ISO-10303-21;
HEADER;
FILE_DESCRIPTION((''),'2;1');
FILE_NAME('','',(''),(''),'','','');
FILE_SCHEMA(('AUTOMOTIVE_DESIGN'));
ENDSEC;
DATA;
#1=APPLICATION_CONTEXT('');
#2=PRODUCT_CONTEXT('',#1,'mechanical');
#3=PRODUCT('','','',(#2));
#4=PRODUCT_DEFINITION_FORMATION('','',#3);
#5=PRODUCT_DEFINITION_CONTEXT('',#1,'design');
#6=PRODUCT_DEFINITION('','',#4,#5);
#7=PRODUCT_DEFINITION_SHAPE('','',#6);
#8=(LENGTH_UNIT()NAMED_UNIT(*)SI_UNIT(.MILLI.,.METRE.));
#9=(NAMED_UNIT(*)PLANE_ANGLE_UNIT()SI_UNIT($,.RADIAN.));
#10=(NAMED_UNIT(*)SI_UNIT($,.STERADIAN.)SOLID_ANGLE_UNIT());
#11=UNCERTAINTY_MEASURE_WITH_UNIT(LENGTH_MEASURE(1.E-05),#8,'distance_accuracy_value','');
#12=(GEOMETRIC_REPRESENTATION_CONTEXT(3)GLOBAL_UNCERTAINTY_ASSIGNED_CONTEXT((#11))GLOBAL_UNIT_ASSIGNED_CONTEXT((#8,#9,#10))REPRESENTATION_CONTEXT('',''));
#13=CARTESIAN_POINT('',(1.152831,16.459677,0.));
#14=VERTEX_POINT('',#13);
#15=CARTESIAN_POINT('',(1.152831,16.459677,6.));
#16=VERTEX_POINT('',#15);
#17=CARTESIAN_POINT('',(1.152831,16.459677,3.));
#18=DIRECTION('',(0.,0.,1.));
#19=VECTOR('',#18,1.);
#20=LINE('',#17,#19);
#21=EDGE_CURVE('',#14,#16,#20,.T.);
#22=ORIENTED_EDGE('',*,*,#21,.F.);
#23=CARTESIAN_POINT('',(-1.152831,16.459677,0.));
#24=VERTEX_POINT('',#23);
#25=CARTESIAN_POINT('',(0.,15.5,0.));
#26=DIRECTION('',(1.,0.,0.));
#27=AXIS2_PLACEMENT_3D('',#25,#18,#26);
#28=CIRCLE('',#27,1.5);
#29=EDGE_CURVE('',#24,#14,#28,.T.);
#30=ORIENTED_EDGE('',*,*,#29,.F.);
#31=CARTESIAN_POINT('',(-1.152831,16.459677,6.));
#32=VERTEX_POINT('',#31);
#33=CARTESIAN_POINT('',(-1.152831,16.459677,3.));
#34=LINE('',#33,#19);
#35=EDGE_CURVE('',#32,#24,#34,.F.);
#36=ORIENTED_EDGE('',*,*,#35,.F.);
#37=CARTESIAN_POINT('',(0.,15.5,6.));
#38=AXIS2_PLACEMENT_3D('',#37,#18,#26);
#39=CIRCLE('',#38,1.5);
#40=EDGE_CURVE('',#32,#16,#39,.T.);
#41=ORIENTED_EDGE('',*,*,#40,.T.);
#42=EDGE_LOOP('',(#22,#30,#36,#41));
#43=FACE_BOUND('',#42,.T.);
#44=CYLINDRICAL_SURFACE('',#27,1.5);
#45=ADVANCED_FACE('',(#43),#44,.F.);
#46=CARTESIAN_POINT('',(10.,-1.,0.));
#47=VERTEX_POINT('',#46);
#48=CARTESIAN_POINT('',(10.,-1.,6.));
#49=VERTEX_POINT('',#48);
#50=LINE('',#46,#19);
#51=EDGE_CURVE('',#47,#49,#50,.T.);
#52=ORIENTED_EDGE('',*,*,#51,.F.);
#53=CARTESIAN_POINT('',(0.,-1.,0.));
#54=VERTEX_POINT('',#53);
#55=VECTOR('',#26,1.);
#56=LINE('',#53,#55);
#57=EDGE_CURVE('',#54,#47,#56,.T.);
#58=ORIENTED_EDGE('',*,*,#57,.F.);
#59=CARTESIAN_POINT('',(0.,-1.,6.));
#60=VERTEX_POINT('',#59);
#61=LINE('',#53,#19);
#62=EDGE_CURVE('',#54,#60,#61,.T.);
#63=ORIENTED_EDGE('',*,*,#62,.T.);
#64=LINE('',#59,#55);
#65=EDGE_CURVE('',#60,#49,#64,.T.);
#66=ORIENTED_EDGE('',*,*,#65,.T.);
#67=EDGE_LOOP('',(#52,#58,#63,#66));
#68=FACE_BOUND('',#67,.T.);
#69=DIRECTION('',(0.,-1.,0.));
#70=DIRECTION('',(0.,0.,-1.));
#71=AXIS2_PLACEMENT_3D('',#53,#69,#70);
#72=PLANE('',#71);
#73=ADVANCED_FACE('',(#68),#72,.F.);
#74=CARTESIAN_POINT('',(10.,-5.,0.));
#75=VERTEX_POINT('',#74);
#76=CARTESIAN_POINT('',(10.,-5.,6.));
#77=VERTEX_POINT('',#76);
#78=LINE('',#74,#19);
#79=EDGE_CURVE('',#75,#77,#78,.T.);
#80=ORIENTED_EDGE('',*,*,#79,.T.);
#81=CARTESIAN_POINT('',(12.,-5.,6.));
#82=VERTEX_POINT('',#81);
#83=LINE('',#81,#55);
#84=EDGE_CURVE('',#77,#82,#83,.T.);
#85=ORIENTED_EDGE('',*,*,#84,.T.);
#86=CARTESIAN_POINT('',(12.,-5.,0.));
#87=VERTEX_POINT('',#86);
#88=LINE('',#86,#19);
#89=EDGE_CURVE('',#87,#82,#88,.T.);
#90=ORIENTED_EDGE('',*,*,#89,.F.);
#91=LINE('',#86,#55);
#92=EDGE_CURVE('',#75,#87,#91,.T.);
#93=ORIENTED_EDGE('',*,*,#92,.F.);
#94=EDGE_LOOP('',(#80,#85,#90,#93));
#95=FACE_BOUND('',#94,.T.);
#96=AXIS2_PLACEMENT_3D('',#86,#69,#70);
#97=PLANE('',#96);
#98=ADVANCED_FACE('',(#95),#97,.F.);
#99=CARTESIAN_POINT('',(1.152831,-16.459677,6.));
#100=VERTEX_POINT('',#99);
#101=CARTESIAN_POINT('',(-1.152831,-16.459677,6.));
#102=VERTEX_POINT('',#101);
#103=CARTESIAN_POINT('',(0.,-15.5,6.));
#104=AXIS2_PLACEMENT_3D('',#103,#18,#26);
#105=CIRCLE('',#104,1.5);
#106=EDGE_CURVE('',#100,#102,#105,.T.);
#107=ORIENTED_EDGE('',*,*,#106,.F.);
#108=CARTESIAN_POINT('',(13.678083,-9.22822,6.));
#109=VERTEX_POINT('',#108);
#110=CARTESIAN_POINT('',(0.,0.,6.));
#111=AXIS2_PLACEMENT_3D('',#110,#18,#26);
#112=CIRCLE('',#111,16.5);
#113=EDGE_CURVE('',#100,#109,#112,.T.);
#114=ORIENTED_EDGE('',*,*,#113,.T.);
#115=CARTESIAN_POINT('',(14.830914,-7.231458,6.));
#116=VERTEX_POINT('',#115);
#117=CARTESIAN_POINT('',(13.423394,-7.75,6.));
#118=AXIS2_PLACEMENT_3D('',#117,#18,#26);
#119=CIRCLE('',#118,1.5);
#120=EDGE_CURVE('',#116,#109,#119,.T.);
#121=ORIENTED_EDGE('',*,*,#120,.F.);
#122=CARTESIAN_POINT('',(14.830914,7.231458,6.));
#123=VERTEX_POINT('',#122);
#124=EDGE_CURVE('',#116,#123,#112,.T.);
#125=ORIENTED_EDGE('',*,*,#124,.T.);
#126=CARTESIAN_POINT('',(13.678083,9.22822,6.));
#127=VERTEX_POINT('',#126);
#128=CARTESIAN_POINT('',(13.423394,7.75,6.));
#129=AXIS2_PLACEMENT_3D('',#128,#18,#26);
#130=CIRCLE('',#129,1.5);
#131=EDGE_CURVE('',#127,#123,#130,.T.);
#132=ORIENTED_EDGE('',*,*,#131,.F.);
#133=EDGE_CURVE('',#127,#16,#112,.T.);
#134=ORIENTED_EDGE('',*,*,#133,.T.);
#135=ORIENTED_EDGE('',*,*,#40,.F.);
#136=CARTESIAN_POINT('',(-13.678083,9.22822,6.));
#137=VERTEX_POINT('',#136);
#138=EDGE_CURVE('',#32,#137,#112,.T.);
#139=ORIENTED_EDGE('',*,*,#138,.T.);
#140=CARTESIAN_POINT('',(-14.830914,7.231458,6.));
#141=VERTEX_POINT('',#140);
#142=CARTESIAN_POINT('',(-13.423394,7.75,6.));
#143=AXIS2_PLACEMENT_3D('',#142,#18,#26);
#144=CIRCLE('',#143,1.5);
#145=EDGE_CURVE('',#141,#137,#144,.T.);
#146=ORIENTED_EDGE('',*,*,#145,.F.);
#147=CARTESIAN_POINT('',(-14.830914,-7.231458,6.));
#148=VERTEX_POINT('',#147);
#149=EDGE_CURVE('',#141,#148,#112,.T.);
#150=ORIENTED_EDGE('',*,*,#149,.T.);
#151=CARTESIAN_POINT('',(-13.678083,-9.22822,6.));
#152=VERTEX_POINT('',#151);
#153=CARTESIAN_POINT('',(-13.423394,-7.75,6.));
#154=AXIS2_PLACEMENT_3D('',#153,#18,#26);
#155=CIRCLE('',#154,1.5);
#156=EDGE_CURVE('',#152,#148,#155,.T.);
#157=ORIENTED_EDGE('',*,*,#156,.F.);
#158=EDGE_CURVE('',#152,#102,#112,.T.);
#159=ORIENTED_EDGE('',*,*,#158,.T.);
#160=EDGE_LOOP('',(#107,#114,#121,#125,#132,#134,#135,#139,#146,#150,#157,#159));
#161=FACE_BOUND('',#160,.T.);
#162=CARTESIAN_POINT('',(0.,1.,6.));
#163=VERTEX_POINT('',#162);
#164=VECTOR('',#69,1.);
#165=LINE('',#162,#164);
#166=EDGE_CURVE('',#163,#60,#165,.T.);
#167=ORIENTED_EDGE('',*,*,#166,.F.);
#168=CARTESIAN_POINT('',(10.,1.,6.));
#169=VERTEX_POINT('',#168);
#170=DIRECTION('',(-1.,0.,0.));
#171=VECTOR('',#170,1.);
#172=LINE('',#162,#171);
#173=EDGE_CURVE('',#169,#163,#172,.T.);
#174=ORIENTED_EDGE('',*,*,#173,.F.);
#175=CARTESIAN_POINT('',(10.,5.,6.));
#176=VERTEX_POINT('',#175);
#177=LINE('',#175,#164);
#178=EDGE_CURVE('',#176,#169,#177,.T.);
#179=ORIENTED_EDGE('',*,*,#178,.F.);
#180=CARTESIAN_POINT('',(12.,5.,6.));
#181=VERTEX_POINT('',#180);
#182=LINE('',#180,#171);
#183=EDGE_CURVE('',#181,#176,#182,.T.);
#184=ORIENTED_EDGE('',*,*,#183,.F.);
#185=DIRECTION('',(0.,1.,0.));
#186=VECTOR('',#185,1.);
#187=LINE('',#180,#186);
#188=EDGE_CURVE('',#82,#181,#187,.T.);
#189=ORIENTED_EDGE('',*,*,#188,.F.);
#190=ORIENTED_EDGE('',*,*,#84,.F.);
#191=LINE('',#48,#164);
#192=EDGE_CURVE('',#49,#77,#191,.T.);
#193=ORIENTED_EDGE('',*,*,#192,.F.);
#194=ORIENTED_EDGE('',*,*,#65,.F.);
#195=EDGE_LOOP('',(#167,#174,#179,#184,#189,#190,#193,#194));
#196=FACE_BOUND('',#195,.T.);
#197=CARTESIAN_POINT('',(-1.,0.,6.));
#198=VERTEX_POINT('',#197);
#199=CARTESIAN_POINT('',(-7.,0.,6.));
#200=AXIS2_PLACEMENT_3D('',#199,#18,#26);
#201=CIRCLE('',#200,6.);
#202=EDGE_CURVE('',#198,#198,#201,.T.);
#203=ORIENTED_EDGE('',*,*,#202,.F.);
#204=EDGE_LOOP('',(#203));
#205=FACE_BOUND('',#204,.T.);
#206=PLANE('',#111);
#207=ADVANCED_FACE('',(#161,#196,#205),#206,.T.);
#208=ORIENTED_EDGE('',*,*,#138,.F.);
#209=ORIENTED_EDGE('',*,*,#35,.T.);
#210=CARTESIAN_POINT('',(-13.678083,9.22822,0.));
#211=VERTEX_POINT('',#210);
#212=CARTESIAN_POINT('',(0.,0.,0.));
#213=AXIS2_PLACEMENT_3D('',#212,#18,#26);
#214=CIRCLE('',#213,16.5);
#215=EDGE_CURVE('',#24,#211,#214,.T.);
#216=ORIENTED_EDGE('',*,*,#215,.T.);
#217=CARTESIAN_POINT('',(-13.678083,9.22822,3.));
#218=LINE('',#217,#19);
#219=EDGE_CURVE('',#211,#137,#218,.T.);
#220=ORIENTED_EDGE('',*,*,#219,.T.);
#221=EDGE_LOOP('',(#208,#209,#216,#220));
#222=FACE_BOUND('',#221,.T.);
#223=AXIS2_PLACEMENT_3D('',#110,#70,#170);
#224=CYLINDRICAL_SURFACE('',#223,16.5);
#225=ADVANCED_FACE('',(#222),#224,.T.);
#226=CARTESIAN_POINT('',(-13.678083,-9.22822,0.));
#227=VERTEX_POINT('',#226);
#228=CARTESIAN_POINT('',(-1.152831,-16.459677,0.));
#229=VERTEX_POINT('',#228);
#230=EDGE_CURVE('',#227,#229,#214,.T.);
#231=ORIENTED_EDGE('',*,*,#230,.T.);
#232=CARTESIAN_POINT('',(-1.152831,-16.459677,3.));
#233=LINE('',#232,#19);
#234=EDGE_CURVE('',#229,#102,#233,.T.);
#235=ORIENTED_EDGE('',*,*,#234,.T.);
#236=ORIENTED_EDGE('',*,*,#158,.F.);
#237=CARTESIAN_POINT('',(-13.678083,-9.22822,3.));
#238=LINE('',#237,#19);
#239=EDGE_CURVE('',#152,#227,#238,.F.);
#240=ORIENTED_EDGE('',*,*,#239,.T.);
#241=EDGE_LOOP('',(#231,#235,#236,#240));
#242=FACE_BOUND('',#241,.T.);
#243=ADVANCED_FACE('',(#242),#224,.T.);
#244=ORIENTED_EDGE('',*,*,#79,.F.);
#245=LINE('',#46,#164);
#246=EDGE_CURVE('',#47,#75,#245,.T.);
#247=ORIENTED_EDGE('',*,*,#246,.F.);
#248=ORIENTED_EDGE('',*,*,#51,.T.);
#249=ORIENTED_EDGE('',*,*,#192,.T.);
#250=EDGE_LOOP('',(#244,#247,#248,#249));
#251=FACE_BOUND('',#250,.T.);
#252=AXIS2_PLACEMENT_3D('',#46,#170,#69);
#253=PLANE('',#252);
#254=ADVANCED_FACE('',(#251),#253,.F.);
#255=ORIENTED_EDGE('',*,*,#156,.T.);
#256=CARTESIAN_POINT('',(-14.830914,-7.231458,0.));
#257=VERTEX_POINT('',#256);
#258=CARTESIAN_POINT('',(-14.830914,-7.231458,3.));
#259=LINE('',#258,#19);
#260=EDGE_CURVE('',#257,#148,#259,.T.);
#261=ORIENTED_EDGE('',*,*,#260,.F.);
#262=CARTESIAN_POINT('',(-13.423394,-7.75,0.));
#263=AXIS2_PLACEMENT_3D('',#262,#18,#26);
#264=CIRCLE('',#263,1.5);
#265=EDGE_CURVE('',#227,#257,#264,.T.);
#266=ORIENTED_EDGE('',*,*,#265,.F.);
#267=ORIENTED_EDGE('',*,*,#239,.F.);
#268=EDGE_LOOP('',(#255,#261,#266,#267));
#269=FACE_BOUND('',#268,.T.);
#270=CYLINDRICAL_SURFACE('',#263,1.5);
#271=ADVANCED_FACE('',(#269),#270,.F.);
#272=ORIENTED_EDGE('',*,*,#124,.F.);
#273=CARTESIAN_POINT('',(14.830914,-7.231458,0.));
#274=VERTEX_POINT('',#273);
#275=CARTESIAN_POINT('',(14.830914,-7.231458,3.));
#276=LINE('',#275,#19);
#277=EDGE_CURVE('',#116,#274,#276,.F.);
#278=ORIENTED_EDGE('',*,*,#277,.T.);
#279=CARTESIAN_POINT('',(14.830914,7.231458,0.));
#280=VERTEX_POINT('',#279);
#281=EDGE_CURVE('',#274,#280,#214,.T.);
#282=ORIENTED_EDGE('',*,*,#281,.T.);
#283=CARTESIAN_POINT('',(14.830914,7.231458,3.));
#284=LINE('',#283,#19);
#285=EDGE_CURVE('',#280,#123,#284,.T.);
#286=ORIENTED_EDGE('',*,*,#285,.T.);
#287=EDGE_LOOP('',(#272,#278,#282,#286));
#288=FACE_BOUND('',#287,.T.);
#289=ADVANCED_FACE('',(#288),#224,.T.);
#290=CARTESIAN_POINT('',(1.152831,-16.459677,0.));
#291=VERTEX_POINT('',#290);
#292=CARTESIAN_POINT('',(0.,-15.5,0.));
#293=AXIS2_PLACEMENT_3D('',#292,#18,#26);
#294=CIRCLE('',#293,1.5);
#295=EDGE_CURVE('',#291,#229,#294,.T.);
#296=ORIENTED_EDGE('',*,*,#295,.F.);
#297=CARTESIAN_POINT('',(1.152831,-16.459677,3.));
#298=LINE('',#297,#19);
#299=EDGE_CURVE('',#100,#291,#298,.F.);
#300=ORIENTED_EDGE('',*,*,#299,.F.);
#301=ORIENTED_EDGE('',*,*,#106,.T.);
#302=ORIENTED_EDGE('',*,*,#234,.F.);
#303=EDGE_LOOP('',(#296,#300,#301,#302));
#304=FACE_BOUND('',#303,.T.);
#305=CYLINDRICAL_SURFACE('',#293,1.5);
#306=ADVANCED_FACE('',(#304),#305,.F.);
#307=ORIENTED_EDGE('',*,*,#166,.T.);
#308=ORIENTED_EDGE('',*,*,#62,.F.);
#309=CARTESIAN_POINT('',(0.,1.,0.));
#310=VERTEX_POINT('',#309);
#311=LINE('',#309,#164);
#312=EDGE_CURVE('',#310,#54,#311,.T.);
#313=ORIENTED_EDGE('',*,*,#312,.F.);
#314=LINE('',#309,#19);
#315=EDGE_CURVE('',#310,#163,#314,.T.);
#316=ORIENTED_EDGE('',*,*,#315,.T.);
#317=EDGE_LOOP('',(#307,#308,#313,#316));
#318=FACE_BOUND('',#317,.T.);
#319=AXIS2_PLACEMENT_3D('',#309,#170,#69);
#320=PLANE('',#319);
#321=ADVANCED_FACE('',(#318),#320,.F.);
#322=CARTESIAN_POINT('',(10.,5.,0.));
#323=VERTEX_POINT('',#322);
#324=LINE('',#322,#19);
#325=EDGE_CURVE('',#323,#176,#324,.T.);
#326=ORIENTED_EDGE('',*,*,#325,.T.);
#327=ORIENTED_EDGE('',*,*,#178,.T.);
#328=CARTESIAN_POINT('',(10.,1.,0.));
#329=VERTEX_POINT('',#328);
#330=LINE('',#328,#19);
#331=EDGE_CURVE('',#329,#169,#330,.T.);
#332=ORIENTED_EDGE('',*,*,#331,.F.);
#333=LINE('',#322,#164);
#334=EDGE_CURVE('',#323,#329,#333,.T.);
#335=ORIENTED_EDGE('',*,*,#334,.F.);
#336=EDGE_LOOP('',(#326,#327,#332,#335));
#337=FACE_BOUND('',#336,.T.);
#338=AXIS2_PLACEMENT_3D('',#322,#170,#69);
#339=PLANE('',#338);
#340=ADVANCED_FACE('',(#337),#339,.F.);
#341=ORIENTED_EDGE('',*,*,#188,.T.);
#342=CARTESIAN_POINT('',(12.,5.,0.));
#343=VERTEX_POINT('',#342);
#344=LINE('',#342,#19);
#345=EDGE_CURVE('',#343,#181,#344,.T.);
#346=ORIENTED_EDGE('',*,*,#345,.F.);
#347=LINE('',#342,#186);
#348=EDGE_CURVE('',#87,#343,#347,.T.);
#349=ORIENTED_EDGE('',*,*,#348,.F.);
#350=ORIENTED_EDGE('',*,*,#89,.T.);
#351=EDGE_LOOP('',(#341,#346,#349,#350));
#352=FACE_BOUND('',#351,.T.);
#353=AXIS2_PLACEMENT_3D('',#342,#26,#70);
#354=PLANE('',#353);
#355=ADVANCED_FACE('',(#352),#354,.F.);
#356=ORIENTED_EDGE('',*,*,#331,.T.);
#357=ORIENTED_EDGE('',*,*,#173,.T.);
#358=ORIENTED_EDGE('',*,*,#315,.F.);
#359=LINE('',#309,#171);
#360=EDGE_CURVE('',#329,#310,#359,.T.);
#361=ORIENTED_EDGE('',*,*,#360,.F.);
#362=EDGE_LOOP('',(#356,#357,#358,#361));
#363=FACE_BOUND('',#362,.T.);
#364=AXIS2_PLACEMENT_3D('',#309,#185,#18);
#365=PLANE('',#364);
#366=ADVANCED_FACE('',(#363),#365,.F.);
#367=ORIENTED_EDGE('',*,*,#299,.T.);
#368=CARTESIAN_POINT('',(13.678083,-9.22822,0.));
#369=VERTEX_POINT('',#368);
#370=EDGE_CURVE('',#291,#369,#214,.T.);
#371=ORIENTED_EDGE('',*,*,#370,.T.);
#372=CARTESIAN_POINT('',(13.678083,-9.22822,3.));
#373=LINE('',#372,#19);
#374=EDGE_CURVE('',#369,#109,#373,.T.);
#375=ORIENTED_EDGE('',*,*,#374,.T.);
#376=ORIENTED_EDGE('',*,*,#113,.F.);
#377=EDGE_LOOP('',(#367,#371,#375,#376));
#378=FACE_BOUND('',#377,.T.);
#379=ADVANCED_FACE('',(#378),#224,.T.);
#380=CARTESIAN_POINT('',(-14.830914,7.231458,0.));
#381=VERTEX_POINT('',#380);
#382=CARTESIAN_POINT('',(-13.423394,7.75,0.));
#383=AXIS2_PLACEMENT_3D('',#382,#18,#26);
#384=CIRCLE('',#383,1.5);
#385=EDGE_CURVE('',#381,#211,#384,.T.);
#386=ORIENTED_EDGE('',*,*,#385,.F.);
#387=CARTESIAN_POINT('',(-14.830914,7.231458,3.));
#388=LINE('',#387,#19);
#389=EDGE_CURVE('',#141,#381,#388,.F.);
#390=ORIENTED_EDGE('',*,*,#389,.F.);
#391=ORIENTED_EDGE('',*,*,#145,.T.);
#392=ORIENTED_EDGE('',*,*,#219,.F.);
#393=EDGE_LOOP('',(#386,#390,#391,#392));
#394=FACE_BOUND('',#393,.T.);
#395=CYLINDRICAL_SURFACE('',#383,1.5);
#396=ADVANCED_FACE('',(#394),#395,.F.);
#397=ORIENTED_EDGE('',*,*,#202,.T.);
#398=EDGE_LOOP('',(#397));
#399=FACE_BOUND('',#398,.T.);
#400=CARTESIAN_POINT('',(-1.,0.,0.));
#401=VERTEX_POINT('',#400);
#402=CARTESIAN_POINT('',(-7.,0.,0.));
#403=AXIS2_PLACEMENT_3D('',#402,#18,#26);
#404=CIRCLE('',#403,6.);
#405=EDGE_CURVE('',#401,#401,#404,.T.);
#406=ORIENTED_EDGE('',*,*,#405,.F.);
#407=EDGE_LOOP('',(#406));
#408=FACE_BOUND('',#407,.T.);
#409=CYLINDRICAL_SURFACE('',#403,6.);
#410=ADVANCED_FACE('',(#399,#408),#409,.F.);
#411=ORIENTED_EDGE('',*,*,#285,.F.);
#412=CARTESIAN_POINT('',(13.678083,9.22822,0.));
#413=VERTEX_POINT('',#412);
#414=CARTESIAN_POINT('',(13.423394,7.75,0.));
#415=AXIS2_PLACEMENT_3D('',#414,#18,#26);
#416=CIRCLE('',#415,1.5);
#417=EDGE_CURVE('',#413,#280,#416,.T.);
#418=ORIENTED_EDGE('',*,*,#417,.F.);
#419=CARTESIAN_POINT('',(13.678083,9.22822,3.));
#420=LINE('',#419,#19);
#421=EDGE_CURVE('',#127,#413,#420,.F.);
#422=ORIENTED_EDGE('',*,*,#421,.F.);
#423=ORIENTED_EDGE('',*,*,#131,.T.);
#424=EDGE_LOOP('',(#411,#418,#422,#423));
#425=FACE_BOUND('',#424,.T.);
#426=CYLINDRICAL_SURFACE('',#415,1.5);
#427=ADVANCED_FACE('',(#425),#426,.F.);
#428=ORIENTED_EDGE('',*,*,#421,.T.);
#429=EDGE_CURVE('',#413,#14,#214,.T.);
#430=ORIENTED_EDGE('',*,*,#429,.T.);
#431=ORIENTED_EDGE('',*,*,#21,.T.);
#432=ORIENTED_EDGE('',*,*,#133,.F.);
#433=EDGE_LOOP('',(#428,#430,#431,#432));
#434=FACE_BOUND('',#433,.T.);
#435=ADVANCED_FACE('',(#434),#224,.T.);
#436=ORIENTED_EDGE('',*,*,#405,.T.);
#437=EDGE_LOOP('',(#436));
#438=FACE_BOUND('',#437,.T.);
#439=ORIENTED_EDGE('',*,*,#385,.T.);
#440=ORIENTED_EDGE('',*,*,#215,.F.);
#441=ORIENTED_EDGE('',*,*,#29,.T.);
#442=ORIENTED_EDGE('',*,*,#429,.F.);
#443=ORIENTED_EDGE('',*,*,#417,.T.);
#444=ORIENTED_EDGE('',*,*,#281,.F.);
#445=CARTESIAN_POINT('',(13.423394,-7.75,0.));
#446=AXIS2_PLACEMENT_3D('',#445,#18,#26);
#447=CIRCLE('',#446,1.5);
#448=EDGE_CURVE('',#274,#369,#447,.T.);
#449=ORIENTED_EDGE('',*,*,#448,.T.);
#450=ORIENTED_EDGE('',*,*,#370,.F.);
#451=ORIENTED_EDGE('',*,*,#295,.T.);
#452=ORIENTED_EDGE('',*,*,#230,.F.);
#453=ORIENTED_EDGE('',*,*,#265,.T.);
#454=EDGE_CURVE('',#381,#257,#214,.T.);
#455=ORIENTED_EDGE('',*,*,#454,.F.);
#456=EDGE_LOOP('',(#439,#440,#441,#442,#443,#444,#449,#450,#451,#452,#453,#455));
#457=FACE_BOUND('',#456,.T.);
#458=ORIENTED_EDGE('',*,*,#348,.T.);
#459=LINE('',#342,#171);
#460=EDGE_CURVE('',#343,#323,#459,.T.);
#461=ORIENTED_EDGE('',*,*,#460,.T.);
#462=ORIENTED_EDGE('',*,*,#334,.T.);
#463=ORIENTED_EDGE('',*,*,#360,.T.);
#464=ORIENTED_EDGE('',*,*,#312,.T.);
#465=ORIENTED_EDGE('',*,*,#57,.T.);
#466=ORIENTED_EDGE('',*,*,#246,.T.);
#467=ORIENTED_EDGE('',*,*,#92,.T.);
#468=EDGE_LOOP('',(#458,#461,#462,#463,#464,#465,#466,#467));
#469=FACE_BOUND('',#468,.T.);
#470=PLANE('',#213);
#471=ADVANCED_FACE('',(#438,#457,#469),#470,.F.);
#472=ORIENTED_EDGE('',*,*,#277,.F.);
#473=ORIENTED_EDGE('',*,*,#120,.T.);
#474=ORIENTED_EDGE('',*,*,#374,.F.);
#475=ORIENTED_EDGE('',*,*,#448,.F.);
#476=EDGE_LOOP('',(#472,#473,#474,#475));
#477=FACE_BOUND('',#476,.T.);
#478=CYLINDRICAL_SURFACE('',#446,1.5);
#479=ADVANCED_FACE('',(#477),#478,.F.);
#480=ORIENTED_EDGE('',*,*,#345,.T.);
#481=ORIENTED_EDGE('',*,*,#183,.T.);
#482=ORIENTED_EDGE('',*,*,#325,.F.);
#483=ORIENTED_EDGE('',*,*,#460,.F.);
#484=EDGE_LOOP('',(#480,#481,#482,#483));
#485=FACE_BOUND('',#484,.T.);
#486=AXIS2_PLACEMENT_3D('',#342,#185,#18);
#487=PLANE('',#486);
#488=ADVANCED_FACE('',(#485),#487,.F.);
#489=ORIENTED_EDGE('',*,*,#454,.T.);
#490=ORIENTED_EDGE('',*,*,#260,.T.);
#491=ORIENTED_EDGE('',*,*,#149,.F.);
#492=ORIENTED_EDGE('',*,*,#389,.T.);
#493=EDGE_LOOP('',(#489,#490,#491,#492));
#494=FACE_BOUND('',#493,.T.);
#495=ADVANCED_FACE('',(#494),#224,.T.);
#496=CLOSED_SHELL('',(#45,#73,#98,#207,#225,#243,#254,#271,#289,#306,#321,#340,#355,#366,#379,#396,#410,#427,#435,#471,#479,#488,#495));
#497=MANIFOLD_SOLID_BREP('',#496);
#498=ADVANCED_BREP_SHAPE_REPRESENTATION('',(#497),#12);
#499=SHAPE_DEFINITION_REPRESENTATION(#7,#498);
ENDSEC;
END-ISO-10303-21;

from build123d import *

# Parameters (mm, degrees)
SKETCH1_R           = 16.5
BOSS_EXTRUDE1_DEPTH = 6
SKETCH2_R           = 1.5
CUT_EXTRUDE1_DEPTH  = 25.093567606
SKETCH3_R           = 6
CUT_EXTRUDE2_DEPTH  = 25.065971427
CUT_EXTRUDE3_DEPTH  = 25.065971427


with BuildPart() as part:
    # Sketch1 → Boss-Extrude1 (new body)
    with BuildSketch(Plane.XY):
        Circle(SKETCH1_R)
    extrude(amount=BOSS_EXTRUDE1_DEPTH)

    # Sketch2 → Cut-Extrude1 (cut, through all)
    with BuildSketch(Plane.XY.offset(6)):
        with Locations((0, 15.5)):
            Circle(SKETCH2_R)
        with Locations((13.423393759, 7.75)):
            Circle(SKETCH2_R)
        with Locations((13.423393759, -7.75)):
            Circle(SKETCH2_R)
        with Locations((0, -15.5)):
            Circle(SKETCH2_R)
        with Locations((-13.423393759, -7.75)):
            Circle(SKETCH2_R)
        with Locations((-13.423393759, 7.75)):
            Circle(SKETCH2_R)
    extrude(amount=-CUT_EXTRUDE1_DEPTH, mode=Mode.SUBTRACT)

    # Sketch3 → Cut-Extrude2 (cut, through all)
    with BuildSketch(Plane.XY.offset(6)):
        with Locations((-7, 0)):
            Circle(SKETCH3_R)
    extrude(amount=-CUT_EXTRUDE2_DEPTH, mode=Mode.SUBTRACT)

    # Sketch5 → Cut-Extrude3 (cut, through all)
    with BuildSketch(Plane.XY.offset(6)):
        Polygon((12, 5), (10, 5), (10, 1), (0, 1), (0, -1), (10, -1), (10, -5), (12, -5), align=None)
    extrude(amount=-CUT_EXTRUDE3_DEPTH, mode=Mode.SUBTRACT)


solid = part.part
